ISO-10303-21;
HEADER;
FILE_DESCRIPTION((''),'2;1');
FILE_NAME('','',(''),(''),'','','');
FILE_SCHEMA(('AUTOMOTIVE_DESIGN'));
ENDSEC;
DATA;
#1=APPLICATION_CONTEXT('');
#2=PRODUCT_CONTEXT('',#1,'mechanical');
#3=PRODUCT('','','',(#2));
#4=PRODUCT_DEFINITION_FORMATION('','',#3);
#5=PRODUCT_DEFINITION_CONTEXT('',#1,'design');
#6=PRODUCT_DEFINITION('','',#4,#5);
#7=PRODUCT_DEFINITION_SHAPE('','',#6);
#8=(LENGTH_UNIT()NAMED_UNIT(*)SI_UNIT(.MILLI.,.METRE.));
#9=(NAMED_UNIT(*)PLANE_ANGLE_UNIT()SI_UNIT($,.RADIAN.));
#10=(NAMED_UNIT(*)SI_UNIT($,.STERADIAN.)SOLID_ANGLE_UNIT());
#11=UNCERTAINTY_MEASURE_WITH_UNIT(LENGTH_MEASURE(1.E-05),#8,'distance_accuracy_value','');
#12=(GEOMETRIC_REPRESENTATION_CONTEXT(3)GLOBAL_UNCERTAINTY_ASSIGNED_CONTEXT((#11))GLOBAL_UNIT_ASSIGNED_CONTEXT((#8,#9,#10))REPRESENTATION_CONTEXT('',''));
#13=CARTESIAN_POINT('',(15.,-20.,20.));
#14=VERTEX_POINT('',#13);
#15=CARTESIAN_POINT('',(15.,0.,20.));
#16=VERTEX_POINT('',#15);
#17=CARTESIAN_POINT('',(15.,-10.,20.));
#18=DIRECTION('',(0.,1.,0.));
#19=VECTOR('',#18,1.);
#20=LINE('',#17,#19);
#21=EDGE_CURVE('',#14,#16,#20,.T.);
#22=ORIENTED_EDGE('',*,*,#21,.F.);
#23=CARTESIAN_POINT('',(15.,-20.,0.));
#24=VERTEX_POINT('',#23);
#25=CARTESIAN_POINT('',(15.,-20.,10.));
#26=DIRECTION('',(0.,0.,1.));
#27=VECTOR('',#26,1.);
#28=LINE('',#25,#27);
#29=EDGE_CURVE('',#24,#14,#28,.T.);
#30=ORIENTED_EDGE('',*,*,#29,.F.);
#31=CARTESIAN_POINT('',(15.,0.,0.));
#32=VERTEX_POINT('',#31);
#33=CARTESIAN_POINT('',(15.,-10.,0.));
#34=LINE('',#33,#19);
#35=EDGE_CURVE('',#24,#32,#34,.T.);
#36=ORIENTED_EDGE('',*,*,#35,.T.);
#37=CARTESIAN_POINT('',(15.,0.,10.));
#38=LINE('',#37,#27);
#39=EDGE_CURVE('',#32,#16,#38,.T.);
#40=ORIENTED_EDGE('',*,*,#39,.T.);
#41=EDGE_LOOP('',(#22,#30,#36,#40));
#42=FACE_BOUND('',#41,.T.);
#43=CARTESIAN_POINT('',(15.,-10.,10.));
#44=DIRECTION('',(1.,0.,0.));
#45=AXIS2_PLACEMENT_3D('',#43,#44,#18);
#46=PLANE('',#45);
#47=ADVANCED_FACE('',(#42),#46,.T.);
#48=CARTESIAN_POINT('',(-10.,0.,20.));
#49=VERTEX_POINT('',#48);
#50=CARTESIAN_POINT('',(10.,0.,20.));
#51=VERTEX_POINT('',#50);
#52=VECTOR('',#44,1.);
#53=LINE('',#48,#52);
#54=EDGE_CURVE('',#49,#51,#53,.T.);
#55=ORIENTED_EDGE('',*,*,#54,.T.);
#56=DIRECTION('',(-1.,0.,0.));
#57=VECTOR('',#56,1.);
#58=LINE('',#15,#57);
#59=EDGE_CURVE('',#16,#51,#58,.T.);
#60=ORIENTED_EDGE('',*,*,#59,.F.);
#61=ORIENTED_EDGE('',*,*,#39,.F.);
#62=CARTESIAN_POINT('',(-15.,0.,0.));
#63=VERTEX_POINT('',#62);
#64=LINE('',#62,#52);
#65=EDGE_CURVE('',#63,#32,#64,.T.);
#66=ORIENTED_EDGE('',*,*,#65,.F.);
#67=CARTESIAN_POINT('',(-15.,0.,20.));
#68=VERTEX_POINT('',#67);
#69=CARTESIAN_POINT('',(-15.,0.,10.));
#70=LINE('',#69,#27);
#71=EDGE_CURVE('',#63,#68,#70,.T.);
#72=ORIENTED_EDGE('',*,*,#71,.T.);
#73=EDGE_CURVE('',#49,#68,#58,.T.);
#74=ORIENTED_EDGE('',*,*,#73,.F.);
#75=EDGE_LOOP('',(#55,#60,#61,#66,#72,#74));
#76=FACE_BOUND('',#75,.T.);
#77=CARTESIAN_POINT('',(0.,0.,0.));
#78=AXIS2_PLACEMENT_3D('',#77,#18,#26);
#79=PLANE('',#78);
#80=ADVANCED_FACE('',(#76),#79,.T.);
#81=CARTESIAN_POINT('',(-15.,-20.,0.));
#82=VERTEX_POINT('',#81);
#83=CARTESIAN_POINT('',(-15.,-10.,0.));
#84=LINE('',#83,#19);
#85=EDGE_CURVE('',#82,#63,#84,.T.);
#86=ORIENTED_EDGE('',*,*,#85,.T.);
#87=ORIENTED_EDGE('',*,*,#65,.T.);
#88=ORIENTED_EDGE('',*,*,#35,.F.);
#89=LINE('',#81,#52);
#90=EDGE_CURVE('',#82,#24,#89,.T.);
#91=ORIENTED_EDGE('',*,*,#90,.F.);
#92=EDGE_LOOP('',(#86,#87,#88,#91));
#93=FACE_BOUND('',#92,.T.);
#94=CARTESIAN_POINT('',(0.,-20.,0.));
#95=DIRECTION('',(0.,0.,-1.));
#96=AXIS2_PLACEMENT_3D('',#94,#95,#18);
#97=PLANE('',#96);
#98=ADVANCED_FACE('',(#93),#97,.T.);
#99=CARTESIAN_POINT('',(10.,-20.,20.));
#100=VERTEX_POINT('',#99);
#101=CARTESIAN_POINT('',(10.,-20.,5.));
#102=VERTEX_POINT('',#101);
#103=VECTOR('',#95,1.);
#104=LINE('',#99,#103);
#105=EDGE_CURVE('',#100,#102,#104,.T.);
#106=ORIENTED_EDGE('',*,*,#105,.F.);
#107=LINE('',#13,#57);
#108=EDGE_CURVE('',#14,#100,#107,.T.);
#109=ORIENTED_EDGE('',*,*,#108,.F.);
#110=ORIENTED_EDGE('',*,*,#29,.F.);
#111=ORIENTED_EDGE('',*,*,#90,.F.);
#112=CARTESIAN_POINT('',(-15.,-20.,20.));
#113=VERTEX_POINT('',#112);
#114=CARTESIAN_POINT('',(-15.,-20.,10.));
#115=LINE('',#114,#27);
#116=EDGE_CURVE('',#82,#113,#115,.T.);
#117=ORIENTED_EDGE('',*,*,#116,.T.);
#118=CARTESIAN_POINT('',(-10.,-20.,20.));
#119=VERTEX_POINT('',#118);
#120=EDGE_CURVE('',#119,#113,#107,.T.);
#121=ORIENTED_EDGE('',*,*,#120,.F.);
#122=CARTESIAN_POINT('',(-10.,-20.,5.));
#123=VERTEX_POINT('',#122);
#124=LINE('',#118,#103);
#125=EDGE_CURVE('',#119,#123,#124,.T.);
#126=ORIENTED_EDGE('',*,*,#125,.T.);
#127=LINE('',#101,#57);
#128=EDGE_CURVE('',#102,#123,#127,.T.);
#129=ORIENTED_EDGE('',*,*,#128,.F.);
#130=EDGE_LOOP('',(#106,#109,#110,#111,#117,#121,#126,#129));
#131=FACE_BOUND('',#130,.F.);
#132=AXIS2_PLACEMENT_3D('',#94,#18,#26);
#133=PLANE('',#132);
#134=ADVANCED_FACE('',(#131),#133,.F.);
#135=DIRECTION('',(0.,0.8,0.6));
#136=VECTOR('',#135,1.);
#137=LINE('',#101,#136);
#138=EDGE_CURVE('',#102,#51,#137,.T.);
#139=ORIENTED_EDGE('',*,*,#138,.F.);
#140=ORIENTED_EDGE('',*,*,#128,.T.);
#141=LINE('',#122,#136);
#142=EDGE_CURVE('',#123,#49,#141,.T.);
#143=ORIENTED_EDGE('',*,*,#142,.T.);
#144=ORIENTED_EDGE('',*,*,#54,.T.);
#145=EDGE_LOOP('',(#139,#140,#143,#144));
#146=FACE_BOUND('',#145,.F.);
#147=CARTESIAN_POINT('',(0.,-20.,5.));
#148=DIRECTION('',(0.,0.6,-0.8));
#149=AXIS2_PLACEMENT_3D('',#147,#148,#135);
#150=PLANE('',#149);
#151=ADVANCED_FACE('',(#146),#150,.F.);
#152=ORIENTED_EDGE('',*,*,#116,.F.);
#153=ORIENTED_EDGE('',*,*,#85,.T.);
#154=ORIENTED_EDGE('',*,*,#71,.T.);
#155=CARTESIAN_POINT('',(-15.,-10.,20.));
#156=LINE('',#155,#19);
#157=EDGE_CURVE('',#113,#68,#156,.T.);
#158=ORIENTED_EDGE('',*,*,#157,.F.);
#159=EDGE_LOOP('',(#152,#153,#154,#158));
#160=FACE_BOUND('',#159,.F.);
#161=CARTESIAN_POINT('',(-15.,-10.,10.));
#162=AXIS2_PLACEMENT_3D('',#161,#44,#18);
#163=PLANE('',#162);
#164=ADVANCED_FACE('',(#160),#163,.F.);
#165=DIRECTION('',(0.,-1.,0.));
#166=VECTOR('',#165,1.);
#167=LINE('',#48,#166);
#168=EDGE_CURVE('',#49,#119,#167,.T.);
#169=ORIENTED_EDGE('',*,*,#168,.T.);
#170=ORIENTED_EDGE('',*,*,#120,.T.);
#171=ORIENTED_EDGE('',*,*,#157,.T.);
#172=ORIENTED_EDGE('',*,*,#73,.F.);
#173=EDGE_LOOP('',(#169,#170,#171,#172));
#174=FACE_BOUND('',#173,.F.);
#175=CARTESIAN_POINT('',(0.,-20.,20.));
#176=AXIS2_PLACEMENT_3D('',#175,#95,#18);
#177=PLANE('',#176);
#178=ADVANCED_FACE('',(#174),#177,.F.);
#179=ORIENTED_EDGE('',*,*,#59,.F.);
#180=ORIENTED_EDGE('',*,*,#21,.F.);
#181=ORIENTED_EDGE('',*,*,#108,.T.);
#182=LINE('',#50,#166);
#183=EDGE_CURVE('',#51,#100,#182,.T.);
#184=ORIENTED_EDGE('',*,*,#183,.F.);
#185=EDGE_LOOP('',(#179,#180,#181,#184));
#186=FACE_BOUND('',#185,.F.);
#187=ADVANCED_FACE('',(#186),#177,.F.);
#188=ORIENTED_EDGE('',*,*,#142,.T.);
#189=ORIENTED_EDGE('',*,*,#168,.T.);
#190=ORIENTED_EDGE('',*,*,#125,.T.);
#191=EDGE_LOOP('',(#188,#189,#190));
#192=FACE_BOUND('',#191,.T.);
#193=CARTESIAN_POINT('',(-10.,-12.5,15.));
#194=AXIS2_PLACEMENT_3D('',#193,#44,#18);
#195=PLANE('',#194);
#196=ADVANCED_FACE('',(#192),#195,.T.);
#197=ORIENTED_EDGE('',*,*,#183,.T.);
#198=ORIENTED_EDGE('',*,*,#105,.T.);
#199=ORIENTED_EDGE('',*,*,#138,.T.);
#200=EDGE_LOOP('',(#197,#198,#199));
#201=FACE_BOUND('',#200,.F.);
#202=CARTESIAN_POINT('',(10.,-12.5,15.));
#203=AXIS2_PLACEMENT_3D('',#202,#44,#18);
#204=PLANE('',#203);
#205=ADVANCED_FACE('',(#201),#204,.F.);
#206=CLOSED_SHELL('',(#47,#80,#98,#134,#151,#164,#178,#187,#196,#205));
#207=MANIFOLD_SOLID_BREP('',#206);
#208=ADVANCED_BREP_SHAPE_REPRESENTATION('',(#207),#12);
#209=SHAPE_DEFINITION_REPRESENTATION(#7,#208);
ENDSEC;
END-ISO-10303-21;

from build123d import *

# Parameters (mm, degrees)
F0_W     = 20
F0_H     = 20
F1_DEPTH = 15
F3_DEPTH = 10


with BuildPart() as f1:
    # F0 (on Right) → F1 (new body, symmetric)
    with BuildSketch(Plane.YZ):
        with Locations((-10, 10)):
            Rectangle(F0_W, F0_H)
    extrude(amount=F1_DEPTH, both=True)

    # F2 (on Right) → F3 (cut, symmetric)
    with BuildSketch(Plane.YZ):
        Polygon((-20, 5), (0, 20), (-20, 20), align=None)
    extrude(amount=F3_DEPTH, both=True, mode=Mode.SUBTRACT)


solid = f1.part
